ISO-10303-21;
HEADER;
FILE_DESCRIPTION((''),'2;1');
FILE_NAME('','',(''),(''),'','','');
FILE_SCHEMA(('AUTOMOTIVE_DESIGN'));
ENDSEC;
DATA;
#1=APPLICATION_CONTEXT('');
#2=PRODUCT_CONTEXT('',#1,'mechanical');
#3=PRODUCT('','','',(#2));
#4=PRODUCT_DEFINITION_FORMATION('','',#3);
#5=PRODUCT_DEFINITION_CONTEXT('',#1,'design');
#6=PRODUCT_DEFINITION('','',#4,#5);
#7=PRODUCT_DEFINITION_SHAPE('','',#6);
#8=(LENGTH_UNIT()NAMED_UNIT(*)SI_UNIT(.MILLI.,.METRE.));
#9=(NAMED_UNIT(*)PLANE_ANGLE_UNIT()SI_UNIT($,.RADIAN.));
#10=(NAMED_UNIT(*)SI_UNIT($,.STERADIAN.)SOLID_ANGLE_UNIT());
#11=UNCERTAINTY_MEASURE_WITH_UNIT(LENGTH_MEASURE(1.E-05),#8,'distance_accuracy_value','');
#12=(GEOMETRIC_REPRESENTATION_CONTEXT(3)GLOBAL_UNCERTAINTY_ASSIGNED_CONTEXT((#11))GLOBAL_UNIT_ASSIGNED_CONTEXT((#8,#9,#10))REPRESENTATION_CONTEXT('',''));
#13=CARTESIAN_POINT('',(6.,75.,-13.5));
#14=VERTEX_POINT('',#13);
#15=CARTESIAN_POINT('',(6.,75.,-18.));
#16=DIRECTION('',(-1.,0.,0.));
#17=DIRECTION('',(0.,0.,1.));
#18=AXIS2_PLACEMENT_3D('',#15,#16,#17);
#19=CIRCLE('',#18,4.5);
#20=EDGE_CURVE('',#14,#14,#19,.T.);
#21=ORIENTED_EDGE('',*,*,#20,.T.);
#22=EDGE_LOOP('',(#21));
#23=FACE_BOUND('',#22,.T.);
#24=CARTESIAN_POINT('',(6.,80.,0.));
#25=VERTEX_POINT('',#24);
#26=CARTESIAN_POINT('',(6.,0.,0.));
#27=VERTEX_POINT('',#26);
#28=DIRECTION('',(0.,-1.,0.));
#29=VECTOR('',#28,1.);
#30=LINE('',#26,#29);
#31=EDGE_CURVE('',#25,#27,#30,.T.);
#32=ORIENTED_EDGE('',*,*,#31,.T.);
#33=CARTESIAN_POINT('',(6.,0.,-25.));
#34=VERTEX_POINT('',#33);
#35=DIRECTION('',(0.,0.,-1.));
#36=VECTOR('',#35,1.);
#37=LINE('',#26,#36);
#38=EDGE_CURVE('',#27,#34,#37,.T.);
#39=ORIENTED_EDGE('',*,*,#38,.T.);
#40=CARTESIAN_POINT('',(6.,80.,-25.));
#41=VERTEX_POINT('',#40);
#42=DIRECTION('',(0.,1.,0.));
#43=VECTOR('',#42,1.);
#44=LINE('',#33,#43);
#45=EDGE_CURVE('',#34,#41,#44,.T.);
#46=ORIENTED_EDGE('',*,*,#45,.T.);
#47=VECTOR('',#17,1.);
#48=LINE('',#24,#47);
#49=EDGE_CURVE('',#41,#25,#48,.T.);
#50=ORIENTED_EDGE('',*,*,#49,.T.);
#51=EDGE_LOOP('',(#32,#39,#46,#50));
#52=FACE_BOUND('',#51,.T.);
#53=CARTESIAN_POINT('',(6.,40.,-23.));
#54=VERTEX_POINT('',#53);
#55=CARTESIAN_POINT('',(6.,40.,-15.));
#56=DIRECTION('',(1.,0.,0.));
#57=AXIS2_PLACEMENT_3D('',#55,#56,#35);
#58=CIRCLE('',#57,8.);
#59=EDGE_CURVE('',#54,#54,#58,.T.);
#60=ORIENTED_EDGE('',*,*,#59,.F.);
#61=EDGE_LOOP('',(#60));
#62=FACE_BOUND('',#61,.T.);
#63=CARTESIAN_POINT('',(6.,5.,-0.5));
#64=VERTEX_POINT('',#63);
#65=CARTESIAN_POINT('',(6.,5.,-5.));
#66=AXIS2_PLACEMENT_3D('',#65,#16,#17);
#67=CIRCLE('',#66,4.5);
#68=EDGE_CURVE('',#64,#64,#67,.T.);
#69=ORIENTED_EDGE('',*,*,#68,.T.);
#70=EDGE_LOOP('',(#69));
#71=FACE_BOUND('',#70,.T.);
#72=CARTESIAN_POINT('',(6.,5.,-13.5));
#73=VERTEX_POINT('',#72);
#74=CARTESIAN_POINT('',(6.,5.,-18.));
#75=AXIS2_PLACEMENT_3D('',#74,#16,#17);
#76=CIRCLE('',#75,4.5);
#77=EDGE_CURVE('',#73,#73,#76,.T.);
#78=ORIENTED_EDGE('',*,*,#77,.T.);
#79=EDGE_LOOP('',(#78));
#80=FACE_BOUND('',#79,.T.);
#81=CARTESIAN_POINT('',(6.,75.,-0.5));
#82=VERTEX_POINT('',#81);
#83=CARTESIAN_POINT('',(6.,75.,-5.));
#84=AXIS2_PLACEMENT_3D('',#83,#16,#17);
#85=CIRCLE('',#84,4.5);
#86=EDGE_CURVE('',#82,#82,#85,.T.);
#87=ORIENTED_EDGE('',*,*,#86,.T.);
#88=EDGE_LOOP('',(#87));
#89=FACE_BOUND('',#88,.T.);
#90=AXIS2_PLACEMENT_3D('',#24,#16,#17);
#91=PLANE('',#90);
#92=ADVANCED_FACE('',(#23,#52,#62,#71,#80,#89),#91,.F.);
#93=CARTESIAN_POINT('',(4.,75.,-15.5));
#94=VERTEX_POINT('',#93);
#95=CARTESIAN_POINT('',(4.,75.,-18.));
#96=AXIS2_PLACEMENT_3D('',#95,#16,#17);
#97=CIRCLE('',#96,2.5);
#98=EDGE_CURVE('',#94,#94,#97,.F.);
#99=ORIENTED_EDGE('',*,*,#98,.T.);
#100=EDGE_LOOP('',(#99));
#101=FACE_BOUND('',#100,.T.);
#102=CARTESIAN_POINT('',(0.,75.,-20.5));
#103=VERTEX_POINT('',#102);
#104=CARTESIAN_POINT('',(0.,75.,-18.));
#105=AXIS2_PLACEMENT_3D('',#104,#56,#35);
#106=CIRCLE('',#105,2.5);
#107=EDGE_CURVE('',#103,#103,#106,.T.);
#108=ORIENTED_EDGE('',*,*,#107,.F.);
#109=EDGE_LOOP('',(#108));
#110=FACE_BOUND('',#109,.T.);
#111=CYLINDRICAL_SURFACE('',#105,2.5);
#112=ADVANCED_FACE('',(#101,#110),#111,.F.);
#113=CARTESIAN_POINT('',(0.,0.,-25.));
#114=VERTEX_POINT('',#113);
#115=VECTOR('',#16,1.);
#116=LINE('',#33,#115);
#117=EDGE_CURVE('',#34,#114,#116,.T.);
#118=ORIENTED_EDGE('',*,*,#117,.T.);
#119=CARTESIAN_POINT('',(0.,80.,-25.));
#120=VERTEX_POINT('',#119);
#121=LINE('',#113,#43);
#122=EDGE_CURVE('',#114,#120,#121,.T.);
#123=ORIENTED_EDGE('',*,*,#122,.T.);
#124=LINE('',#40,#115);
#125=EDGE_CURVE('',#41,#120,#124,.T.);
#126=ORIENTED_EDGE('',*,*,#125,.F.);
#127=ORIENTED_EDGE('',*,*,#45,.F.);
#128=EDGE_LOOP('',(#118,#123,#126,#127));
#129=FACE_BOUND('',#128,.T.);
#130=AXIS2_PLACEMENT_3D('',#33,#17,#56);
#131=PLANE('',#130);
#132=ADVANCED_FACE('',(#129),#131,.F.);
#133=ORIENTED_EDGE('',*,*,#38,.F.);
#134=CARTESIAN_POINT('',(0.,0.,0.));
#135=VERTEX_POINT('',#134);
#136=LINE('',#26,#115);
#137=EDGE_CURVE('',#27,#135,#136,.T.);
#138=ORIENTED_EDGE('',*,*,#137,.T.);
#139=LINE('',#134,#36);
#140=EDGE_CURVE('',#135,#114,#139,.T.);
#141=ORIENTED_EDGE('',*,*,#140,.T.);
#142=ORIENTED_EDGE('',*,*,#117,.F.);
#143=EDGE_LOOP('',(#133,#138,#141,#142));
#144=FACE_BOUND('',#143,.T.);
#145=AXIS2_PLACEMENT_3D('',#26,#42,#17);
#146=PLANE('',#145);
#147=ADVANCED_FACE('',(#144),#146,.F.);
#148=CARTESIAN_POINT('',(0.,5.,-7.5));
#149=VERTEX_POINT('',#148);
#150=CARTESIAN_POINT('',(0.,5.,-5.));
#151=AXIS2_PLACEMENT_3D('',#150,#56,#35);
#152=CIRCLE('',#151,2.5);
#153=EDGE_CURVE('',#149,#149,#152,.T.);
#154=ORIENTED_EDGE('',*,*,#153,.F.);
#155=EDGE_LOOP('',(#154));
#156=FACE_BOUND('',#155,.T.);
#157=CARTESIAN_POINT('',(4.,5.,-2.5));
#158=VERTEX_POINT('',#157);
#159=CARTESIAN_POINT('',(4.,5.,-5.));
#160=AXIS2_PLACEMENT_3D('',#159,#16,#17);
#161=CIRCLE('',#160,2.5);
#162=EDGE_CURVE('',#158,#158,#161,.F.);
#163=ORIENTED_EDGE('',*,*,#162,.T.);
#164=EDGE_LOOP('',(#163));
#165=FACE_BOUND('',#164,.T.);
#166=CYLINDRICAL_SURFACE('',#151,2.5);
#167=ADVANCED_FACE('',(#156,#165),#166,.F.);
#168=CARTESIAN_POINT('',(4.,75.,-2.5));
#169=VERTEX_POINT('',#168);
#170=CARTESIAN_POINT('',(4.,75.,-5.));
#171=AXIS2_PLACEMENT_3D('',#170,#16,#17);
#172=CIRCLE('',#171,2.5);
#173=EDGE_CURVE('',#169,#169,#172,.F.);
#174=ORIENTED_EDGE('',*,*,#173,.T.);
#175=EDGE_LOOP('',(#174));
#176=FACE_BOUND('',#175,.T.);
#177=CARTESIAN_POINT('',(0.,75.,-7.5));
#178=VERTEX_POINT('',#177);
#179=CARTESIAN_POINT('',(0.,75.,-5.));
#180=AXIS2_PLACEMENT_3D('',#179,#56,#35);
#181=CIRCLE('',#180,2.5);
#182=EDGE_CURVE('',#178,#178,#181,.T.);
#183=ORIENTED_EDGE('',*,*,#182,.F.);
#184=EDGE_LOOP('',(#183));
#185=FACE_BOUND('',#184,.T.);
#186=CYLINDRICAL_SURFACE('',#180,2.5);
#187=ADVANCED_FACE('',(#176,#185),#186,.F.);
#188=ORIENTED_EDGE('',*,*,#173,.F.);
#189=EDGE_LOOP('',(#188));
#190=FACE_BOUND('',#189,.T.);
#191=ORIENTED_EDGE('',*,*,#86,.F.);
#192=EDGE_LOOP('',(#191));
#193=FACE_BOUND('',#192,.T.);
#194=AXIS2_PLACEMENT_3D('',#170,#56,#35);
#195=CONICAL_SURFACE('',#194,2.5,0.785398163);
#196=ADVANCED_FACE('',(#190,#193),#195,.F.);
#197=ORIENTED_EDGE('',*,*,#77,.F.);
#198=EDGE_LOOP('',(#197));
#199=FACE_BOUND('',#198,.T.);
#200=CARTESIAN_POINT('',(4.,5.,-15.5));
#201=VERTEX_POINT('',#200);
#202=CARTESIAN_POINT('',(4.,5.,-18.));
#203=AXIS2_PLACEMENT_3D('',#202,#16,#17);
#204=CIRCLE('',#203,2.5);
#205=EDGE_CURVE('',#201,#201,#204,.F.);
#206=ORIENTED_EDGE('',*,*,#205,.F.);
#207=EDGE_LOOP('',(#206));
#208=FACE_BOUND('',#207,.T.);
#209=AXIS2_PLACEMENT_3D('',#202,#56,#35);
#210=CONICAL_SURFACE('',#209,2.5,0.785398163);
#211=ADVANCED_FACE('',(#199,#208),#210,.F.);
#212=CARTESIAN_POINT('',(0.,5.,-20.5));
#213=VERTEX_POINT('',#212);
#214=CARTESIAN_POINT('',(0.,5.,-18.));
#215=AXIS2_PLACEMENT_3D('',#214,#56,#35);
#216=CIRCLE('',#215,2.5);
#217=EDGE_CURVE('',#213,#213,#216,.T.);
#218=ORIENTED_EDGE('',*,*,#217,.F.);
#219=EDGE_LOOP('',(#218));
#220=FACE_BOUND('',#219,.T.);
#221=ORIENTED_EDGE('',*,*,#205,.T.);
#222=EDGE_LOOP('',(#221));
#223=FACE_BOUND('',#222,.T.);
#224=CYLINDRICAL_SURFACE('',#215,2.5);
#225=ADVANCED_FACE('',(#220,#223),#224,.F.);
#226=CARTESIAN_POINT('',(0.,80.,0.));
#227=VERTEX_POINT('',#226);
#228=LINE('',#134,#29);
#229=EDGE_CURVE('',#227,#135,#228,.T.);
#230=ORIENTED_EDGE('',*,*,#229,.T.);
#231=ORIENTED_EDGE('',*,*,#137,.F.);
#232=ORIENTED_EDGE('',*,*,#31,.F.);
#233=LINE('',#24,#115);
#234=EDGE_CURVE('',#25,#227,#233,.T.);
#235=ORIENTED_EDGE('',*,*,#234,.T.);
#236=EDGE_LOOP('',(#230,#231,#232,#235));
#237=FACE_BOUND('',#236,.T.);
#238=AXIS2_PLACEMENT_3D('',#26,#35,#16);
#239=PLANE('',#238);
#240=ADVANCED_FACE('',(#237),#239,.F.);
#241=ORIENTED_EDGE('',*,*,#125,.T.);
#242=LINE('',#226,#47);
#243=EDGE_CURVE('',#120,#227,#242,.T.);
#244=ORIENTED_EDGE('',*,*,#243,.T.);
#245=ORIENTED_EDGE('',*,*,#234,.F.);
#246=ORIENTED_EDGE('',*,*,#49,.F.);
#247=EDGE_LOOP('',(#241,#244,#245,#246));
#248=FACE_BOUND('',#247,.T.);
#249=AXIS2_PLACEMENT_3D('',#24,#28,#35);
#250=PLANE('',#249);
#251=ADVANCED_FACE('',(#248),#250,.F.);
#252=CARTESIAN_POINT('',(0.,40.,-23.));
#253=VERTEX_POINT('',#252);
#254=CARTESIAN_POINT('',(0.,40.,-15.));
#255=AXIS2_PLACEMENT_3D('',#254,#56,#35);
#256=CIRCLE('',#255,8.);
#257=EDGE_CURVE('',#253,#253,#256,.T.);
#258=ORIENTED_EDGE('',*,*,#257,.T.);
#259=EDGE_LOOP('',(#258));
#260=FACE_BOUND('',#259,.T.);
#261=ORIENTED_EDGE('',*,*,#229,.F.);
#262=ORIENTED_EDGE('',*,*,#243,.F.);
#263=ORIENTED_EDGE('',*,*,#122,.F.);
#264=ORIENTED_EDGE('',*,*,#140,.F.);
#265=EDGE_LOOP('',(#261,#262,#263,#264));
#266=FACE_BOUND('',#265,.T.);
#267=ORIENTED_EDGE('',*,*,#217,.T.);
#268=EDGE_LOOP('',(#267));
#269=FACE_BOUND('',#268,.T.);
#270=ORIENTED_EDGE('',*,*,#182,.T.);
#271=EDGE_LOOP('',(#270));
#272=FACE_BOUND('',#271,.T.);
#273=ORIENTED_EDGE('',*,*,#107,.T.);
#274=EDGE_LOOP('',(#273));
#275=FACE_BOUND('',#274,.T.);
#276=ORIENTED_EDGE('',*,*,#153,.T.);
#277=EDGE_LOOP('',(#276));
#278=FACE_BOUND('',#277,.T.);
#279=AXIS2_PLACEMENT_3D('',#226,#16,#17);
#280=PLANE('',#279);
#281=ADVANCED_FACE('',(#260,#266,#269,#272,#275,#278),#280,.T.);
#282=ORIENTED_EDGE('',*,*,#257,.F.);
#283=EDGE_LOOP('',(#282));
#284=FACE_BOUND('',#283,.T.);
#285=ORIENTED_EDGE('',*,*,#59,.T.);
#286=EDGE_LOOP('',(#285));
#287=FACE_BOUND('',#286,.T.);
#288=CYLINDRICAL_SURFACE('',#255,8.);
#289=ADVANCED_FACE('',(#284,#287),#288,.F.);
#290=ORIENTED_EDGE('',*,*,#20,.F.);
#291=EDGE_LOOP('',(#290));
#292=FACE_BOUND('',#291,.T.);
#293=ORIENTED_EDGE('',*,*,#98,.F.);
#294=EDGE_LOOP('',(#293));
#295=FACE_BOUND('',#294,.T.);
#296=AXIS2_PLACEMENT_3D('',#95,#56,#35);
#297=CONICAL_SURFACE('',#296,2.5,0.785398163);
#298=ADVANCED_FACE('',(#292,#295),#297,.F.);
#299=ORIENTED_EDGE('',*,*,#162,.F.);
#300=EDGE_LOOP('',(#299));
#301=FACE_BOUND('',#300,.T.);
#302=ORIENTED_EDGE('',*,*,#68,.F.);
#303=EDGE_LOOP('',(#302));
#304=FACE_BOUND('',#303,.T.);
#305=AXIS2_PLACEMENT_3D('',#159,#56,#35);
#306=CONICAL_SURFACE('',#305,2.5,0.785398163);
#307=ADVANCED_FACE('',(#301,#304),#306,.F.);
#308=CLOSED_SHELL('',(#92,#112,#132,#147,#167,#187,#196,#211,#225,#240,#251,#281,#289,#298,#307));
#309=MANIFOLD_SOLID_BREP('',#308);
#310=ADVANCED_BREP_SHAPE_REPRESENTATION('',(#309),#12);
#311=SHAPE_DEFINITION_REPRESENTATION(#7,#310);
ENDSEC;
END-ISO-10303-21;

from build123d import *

# Parameters (mm, degrees)
ESQUISSE1_W      = 25
ESQUISSE1_H      = 80
EXTRUSION1_DEPTH = 6
ESQUISSE2_R      = 8
ESQUISSE2_R_2    = 2.5
EXTRUSION2_DEPTH = 85.029756634
CHANFREIN1_SIZE  = 2


with BuildPart() as part:
    # Esquisse1 → Extrusion1 (new body)
    with BuildSketch(Plane(origin=(0, 0, 0), x_dir=(0, 0, -1), z_dir=(1, 0, 0))):
        with Locations((12.5, 40)):
            Rectangle(ESQUISSE1_W, ESQUISSE1_H)
    extrude(amount=EXTRUSION1_DEPTH)

    # Esquisse2 → Extrusion2 (cut, through all)
    with BuildSketch(Plane(origin=(6, 0, 0), x_dir=(0, 0, -1), z_dir=(1, 0, 0))):
        with Locations((15, 40)):
            Circle(ESQUISSE2_R)
        with Locations((5, 5)):
            Circle(ESQUISSE2_R_2)
        with Locations((18, 5)):
            Circle(ESQUISSE2_R_2)
        with Locations((5, 75)):
            Circle(ESQUISSE2_R_2)
        with Locations((18, 75)):
            Circle(ESQUISSE2_R_2)
    extrude(amount=-EXTRUSION2_DEPTH, mode=Mode.SUBTRACT)

    # Chanfrein1
    chanfrein1_edges = [part.edges().sort_by_distance(p)[0] for p in [
        (6, 5, -2.5),
        (6, 5, -15.5),
        (6, 75, -2.5),
        (6, 75, -15.5),
    ]]
    chamfer(chanfrein1_edges, length=CHANFREIN1_SIZE)


solid = part.part
